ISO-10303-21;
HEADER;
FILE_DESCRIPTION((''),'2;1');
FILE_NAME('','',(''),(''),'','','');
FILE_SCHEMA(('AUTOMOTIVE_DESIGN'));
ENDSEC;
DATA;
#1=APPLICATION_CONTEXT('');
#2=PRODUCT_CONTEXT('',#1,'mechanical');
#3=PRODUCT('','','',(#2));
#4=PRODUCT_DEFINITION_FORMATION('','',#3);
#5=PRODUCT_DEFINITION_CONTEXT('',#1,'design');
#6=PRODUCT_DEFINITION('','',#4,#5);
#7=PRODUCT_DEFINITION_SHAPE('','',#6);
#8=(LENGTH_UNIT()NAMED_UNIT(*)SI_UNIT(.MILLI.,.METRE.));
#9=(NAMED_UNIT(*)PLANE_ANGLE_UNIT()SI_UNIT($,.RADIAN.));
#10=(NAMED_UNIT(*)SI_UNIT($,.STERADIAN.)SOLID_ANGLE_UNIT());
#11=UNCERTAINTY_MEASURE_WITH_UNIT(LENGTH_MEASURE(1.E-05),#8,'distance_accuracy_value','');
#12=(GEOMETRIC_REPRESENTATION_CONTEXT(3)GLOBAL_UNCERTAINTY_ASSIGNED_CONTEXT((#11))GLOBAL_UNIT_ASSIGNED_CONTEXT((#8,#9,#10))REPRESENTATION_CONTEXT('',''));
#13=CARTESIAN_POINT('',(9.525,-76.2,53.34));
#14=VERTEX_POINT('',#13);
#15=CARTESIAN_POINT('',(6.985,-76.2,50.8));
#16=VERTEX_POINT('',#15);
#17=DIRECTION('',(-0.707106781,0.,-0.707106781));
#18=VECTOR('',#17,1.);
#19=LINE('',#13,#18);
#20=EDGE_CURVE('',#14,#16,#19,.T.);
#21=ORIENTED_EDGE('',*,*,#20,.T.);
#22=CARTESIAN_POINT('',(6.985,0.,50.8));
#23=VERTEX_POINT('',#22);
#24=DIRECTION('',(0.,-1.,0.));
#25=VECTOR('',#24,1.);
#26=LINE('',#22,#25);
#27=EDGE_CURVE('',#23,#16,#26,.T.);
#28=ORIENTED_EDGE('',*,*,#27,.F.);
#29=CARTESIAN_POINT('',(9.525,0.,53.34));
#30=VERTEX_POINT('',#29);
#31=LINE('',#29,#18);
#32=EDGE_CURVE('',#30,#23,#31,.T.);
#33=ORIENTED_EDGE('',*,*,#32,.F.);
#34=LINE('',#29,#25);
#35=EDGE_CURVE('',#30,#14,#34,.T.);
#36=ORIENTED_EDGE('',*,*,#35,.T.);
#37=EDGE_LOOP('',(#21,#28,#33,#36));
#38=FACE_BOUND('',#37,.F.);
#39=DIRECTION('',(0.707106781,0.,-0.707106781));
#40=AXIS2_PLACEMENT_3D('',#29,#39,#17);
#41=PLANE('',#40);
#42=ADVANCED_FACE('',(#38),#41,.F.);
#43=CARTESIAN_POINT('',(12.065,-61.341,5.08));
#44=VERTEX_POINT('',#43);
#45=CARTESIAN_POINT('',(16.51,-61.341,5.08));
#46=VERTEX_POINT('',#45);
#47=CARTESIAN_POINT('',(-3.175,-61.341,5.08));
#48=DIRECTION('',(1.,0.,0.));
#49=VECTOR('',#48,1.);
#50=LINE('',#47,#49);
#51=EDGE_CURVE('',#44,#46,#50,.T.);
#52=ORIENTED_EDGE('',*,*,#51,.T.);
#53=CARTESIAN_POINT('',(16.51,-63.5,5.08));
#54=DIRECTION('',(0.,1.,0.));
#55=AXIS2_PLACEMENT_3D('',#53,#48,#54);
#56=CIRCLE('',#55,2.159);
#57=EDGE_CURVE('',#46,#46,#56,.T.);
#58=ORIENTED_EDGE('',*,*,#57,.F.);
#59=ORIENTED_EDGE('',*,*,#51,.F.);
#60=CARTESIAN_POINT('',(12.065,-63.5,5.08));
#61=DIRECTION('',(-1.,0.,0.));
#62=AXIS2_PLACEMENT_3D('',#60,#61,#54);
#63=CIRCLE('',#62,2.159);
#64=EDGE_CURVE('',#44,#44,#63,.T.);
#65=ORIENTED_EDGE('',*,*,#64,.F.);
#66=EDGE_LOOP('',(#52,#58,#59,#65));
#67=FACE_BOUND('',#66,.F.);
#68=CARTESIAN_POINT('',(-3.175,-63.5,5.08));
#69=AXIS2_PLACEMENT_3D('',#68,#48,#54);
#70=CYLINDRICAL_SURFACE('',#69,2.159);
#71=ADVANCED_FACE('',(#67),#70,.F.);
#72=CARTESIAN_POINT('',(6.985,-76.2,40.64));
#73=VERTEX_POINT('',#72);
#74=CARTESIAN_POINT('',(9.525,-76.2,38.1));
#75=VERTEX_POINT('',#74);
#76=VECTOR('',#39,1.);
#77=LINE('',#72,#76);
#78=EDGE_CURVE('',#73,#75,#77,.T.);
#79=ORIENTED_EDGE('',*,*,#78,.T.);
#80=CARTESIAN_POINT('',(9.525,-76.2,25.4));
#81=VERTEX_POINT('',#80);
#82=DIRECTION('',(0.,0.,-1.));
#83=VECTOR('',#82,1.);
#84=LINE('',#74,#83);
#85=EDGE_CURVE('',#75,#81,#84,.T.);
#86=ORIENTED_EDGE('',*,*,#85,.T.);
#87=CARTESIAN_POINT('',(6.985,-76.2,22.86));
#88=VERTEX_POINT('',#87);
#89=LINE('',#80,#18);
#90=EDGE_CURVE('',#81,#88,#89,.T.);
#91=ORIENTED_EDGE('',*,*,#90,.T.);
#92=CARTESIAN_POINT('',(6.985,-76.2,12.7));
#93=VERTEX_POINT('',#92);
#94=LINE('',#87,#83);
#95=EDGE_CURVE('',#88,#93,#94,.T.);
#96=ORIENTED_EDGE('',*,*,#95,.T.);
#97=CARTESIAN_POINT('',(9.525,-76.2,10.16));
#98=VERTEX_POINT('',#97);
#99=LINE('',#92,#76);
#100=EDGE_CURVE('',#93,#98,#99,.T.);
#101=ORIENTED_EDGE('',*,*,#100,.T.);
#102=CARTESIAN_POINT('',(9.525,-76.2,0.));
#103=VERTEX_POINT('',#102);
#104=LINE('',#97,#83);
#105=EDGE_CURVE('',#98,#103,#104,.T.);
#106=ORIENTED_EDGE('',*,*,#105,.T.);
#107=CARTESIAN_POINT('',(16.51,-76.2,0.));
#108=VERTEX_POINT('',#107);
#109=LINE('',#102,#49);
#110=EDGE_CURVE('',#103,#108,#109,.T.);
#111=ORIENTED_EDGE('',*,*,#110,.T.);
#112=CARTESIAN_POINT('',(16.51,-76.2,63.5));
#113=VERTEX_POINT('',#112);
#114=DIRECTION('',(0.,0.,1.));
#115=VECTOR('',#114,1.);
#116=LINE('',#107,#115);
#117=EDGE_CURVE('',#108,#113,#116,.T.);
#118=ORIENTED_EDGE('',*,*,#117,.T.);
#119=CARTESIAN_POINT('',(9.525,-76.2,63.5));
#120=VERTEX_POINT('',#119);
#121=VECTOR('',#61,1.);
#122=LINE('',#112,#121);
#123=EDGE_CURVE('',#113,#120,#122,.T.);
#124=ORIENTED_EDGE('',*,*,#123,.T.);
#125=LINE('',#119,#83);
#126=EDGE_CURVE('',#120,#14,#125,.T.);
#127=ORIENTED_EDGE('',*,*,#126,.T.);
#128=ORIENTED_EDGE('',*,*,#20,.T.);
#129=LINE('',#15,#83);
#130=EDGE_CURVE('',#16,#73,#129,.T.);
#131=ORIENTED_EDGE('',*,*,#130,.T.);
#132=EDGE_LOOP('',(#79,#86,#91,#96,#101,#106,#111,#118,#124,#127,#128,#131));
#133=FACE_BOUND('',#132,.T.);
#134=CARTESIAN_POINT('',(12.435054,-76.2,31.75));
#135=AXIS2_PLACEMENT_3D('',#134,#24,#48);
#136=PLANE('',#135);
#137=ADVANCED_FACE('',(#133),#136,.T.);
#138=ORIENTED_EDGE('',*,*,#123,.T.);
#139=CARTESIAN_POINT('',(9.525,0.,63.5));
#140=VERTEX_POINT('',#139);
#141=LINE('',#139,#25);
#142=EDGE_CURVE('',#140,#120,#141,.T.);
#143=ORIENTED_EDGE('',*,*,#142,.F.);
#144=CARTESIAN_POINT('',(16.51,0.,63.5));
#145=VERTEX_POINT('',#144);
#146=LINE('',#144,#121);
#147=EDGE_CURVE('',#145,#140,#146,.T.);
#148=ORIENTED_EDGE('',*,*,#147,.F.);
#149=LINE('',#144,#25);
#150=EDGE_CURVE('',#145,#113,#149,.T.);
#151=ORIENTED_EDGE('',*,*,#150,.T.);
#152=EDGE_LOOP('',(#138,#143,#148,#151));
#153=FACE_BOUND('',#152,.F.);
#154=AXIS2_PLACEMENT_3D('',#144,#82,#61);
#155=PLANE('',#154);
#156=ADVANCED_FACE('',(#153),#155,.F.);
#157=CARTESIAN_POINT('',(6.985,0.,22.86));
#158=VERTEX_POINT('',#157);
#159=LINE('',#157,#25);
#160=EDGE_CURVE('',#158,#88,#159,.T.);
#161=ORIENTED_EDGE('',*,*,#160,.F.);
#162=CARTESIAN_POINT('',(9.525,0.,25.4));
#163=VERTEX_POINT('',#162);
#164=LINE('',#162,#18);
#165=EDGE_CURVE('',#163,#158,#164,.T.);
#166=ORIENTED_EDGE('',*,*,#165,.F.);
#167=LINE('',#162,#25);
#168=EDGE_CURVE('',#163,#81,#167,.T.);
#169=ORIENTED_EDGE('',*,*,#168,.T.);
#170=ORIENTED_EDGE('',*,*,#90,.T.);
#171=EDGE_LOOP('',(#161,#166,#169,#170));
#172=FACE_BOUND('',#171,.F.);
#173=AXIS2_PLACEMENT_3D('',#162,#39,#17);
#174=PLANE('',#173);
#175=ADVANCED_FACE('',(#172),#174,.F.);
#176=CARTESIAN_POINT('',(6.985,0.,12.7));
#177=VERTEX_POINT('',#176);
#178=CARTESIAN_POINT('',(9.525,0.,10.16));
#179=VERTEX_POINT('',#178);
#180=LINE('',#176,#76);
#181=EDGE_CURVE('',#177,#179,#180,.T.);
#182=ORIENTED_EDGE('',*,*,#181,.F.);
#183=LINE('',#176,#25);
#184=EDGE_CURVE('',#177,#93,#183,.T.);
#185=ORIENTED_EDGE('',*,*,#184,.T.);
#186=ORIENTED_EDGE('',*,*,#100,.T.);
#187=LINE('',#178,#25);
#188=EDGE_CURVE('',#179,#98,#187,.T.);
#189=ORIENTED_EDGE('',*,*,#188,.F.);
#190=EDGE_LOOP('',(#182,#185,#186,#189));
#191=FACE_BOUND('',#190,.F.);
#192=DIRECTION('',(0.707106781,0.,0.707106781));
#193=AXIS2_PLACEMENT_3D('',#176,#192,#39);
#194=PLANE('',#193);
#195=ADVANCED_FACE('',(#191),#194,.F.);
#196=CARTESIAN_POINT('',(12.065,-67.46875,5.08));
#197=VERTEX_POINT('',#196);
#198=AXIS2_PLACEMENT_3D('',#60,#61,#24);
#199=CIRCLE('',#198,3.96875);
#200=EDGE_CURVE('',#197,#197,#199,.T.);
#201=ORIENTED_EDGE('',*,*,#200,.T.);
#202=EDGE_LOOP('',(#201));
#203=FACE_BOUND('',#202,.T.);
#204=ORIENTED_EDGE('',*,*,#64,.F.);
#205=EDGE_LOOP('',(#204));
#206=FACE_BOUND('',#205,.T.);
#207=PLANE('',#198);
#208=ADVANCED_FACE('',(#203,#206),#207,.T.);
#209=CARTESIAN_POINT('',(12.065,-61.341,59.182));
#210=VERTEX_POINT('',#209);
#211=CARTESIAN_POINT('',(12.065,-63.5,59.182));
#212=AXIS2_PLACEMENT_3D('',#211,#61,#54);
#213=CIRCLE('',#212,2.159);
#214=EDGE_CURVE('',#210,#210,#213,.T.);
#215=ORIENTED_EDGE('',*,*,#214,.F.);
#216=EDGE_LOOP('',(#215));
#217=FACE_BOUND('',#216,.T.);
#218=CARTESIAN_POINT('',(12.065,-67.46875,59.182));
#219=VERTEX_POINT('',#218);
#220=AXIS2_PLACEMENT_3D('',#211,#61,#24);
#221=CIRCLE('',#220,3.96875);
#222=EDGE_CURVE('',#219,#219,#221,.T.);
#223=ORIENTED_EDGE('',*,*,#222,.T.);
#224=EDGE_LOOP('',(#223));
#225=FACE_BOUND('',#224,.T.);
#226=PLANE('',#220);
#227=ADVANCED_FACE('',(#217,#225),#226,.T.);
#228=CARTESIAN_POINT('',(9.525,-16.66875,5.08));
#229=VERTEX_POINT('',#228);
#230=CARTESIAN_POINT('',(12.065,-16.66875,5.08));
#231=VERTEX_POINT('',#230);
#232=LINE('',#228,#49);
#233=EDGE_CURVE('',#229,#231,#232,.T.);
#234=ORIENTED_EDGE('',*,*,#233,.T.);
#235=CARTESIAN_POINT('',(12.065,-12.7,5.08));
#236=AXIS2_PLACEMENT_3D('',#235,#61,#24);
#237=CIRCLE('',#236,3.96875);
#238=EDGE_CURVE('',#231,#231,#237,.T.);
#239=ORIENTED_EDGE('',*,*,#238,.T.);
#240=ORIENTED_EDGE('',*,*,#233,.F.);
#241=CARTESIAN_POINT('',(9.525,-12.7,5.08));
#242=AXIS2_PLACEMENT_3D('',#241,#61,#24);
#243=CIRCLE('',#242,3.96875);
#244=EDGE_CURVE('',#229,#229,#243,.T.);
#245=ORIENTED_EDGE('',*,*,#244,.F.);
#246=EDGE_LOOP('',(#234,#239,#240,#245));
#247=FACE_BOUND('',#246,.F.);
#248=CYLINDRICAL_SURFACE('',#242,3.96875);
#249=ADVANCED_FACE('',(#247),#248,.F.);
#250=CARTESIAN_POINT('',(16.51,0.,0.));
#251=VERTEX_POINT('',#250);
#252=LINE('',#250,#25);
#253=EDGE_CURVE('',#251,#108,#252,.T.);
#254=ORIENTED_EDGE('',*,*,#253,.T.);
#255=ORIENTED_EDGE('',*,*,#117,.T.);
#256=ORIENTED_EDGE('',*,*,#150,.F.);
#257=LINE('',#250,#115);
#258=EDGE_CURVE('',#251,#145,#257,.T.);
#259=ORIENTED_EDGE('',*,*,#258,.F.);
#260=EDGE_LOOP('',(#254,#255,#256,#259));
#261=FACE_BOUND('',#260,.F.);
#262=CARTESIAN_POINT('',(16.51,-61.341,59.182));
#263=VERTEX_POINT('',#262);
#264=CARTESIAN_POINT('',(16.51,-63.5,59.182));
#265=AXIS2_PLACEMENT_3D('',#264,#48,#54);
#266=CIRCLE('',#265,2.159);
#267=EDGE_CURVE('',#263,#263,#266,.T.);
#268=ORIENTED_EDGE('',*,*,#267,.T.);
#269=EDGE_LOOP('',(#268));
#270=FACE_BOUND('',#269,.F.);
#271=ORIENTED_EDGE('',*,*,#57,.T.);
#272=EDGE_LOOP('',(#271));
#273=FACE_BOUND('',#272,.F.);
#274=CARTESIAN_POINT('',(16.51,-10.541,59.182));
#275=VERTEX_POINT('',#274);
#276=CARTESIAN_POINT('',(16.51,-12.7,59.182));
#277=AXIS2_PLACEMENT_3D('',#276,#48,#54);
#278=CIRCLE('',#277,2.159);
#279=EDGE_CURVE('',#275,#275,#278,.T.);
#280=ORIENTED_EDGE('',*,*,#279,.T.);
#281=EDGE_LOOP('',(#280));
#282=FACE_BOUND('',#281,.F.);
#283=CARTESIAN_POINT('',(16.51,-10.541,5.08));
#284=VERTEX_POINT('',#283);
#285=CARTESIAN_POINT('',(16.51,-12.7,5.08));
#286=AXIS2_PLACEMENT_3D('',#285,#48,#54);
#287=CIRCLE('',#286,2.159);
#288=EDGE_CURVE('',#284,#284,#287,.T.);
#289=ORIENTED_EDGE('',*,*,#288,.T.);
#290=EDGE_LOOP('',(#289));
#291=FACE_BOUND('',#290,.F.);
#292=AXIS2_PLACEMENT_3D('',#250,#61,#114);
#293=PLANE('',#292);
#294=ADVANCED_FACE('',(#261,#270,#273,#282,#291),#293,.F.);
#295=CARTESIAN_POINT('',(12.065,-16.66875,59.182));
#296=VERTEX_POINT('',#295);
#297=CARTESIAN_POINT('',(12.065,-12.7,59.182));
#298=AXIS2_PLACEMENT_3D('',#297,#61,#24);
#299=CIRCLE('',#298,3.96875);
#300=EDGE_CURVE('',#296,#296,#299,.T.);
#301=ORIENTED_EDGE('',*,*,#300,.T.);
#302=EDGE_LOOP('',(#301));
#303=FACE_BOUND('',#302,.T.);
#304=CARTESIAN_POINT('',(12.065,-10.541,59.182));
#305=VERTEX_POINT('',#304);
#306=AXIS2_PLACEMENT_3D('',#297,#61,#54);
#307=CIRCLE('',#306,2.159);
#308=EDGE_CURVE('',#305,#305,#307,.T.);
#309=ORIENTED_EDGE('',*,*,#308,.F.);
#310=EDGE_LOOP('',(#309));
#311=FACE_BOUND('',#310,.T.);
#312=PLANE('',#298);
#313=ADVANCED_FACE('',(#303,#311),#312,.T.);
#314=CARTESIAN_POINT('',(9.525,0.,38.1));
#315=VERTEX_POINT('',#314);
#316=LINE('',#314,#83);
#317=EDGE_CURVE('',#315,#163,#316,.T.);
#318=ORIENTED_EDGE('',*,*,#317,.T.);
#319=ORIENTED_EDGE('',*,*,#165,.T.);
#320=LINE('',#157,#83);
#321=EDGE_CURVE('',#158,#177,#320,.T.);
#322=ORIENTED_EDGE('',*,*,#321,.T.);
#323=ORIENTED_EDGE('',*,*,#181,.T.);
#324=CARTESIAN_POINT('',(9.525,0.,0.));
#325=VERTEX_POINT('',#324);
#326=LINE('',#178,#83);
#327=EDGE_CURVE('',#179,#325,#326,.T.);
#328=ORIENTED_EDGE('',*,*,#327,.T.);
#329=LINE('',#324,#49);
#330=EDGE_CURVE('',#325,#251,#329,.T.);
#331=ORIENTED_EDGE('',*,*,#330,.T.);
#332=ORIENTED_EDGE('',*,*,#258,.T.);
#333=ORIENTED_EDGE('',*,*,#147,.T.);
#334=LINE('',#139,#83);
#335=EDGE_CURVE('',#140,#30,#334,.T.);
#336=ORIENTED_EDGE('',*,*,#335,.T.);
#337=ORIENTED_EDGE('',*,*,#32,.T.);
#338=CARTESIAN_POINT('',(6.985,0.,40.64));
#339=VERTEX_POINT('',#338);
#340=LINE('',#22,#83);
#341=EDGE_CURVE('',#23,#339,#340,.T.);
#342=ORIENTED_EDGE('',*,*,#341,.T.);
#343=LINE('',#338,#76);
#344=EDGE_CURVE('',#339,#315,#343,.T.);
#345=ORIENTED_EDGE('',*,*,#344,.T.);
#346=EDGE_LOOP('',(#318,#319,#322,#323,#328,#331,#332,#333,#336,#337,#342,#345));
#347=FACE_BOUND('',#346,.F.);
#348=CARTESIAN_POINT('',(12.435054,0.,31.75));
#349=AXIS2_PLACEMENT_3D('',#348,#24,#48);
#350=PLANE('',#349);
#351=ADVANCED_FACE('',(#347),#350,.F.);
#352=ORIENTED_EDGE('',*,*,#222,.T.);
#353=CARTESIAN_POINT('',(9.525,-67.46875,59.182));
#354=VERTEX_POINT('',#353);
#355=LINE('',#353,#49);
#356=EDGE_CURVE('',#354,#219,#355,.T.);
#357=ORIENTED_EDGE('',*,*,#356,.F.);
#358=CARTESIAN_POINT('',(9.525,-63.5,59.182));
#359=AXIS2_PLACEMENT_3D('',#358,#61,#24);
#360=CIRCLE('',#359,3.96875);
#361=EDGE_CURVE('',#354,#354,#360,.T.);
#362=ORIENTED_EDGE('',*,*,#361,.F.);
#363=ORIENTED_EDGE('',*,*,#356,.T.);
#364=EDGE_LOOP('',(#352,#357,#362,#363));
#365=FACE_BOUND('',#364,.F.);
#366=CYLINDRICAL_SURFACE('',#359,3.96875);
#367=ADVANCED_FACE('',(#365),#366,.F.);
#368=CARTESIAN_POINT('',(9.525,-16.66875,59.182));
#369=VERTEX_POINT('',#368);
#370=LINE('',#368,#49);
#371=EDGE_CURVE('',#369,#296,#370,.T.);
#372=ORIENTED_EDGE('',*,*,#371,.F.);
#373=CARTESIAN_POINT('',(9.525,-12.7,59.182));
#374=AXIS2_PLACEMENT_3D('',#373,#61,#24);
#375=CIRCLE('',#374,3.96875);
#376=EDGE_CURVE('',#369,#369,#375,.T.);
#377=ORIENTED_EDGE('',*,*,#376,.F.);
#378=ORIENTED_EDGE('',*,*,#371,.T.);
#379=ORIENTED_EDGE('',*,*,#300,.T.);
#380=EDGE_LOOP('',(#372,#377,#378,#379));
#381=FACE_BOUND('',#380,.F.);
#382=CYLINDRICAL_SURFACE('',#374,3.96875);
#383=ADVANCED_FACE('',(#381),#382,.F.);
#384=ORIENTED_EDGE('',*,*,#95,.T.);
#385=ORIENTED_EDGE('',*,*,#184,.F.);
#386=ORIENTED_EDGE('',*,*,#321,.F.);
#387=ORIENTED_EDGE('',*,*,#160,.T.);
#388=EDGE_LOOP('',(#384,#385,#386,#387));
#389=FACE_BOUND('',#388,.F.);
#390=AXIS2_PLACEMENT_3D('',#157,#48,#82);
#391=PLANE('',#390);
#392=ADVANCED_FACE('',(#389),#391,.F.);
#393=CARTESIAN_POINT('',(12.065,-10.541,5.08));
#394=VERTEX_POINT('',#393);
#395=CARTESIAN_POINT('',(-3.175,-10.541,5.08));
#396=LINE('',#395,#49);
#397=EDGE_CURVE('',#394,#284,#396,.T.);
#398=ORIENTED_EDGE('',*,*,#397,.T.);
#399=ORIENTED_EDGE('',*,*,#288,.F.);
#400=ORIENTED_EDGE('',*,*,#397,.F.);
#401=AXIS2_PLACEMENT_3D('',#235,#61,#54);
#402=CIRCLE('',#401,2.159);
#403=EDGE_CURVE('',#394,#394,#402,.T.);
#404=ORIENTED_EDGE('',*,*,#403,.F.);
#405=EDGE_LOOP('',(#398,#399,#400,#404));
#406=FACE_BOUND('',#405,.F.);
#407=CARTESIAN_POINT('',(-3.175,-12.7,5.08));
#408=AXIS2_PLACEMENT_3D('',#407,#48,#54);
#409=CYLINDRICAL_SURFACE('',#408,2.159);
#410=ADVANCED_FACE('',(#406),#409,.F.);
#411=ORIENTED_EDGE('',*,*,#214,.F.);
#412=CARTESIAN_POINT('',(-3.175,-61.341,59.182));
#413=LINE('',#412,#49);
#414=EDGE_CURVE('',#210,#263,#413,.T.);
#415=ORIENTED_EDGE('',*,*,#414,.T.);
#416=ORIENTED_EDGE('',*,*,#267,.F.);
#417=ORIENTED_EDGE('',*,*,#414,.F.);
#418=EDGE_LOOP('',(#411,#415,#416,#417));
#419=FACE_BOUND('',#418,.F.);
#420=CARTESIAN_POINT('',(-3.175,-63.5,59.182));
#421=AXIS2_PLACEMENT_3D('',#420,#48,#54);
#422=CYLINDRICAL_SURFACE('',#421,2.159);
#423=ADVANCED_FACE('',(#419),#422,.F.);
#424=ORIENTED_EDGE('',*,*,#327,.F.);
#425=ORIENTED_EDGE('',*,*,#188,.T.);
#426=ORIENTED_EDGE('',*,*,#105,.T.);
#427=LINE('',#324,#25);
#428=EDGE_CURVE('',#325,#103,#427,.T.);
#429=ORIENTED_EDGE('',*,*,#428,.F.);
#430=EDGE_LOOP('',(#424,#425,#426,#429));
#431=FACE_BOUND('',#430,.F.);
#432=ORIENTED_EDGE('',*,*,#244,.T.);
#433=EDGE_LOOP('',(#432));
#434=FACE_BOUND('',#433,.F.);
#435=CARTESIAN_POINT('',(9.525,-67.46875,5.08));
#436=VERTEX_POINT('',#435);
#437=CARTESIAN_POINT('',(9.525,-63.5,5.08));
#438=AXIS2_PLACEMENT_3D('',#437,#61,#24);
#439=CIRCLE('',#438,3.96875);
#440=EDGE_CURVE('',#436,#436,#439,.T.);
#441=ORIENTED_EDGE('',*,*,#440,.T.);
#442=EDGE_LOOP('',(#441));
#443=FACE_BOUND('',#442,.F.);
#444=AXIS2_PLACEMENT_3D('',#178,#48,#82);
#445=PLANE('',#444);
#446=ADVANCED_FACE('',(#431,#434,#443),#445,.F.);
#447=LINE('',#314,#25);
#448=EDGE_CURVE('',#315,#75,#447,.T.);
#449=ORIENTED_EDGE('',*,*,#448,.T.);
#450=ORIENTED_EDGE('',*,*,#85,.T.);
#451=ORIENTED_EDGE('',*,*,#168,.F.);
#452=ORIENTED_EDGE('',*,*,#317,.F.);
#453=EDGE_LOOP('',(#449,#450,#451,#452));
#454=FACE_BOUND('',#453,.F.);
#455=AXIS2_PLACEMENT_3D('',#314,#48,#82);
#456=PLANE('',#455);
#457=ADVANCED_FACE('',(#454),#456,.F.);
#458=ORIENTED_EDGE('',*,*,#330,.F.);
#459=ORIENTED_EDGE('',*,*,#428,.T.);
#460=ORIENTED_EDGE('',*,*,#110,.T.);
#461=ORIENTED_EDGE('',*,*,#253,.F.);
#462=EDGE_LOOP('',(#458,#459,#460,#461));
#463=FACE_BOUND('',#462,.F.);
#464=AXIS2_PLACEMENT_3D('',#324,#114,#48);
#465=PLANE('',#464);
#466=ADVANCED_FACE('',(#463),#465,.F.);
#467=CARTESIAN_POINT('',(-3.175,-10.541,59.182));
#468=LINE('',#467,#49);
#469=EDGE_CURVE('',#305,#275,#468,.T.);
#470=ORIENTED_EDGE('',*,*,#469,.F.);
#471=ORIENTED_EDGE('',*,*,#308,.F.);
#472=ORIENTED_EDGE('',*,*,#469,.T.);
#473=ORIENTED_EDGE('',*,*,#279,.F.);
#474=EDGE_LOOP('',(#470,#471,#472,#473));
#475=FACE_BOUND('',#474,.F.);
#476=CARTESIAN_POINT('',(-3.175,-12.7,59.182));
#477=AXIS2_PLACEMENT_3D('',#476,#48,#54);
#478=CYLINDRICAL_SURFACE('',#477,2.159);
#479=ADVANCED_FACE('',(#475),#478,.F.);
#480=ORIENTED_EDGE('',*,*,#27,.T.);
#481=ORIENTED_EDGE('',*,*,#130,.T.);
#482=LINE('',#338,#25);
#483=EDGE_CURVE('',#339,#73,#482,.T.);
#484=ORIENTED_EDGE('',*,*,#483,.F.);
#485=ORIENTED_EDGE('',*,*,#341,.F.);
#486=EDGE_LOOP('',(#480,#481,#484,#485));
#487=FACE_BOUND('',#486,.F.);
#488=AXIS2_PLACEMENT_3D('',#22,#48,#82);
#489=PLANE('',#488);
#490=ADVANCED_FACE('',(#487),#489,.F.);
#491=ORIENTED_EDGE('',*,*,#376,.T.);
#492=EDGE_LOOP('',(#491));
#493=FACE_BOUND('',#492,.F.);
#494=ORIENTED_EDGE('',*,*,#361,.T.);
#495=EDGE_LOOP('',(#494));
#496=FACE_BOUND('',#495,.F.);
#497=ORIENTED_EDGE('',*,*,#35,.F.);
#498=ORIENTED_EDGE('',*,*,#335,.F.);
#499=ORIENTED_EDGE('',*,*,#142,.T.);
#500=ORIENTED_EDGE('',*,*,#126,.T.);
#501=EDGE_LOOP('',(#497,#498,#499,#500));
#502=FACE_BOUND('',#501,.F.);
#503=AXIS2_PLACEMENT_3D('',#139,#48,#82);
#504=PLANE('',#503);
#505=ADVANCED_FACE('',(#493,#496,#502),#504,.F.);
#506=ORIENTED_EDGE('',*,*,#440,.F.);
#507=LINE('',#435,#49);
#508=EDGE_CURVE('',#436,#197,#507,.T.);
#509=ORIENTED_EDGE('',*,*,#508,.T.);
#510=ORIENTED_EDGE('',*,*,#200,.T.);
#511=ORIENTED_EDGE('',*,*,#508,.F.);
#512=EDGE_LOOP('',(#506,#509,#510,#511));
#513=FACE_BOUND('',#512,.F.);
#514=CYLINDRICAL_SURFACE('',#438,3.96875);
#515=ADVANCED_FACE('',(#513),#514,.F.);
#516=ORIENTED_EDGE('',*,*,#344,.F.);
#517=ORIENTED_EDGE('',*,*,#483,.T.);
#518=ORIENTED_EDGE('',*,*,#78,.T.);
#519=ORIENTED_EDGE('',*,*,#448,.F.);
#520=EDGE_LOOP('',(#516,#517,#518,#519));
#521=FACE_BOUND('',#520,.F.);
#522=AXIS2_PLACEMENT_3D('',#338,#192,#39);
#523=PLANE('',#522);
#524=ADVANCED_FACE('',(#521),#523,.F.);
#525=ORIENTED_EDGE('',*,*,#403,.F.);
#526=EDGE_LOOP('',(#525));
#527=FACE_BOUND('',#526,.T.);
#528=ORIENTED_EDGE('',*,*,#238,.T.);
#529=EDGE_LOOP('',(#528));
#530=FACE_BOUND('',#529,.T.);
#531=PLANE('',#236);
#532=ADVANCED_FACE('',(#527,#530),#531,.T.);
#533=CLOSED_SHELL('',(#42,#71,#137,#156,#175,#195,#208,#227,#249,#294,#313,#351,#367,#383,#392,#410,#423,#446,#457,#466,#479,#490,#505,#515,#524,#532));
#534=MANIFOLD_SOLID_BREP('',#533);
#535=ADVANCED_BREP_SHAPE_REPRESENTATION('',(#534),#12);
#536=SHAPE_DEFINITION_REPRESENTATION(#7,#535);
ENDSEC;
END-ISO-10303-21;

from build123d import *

# Parameters (mm, degrees)
F1_DEPTH = 76.2
F3_D     = 4.318
F3_DEPTH = 12.7
F3_TIP   = 1.2972580765
F4_D     = 4.318
F4_DEPTH = 12.7
F4_TIP   = 1.2972580765
F5_R     = 3.96875
F5_R_2   = 2.159
F6_DEPTH = 2.54
F7_DEPTH = 2.54


with BuildPart() as f1:
    # F0 (on Front) → F1 (new body)
    with BuildSketch(Plane.XZ):
        Polygon((6.985, 50.8), (6.985, 40.64), (9.525, 38.1), (9.525, 25.4), (6.985, 22.86), (6.985, 12.7), (9.525, 10.16), (9.525, 0), (16.51, 0), (16.51, 63.5), (9.525, 63.5), (9.525, 53.34), align=None)
    extrude(amount=F1_DEPTH)

    # F3
    with Locations(Plane(origin=(9.525, 0, 0), x_dir=(0, -1, 0), z_dir=(-1, 0, 0))):
        with Locations((12.7, 5.08), (63.5, 5.08)):
            Hole(F3_D / 2, depth=F3_DEPTH)
            with Locations((0, 0, -(F3_DEPTH + F3_TIP / 2))):  # 118° drill point
                Cone(0, F3_D / 2, F3_TIP, mode=Mode.SUBTRACT)

    # F4
    with Locations(Plane(origin=(9.525, 0, 0), x_dir=(0, -1, 0), z_dir=(-1, 0, 0))):
        with Locations((12.7, 59.182), (63.5, 59.182)):
            Hole(F4_D / 2, depth=F4_DEPTH)
            with Locations((0, 0, -(F4_DEPTH + F4_TIP / 2))):  # 118° drill point
                Cone(0, F4_D / 2, F4_TIP, mode=Mode.SUBTRACT)

    # F5 (on face) → F6 (cut)
    with BuildSketch(Plane(origin=(9.525, 0, 0), x_dir=(0, -1, 0), z_dir=(-1, 0, 0))):
        with Locations((12.7, 5.08)):
            Circle(F5_R)
        with Locations((12.7, 5.08)):
            Circle(F5_R_2, mode=Mode.SUBTRACT)
        with Locations((63.5, 5.08)):
            Circle(F5_R)
        with Locations((63.5, 5.08)):
            Circle(F5_R_2, mode=Mode.SUBTRACT)
    extrude(amount=-F6_DEPTH, mode=Mode.SUBTRACT)

    # F5 (on face) → F7 (cut)
    with BuildSketch(Plane(origin=(9.525, 0, 0), x_dir=(0, -1, 0), z_dir=(-1, 0, 0))):
        with Locations((12.7, 59.182)):
            Circle(F5_R)
        with Locations((12.7, 59.182)):
            Circle(F5_R_2, mode=Mode.SUBTRACT)
        with Locations((63.5, 59.182)):
            Circle(F5_R)
        with Locations((63.5, 59.182)):
            Circle(F5_R_2, mode=Mode.SUBTRACT)
    extrude(amount=-F7_DEPTH, mode=Mode.SUBTRACT)


solid = f1.part
